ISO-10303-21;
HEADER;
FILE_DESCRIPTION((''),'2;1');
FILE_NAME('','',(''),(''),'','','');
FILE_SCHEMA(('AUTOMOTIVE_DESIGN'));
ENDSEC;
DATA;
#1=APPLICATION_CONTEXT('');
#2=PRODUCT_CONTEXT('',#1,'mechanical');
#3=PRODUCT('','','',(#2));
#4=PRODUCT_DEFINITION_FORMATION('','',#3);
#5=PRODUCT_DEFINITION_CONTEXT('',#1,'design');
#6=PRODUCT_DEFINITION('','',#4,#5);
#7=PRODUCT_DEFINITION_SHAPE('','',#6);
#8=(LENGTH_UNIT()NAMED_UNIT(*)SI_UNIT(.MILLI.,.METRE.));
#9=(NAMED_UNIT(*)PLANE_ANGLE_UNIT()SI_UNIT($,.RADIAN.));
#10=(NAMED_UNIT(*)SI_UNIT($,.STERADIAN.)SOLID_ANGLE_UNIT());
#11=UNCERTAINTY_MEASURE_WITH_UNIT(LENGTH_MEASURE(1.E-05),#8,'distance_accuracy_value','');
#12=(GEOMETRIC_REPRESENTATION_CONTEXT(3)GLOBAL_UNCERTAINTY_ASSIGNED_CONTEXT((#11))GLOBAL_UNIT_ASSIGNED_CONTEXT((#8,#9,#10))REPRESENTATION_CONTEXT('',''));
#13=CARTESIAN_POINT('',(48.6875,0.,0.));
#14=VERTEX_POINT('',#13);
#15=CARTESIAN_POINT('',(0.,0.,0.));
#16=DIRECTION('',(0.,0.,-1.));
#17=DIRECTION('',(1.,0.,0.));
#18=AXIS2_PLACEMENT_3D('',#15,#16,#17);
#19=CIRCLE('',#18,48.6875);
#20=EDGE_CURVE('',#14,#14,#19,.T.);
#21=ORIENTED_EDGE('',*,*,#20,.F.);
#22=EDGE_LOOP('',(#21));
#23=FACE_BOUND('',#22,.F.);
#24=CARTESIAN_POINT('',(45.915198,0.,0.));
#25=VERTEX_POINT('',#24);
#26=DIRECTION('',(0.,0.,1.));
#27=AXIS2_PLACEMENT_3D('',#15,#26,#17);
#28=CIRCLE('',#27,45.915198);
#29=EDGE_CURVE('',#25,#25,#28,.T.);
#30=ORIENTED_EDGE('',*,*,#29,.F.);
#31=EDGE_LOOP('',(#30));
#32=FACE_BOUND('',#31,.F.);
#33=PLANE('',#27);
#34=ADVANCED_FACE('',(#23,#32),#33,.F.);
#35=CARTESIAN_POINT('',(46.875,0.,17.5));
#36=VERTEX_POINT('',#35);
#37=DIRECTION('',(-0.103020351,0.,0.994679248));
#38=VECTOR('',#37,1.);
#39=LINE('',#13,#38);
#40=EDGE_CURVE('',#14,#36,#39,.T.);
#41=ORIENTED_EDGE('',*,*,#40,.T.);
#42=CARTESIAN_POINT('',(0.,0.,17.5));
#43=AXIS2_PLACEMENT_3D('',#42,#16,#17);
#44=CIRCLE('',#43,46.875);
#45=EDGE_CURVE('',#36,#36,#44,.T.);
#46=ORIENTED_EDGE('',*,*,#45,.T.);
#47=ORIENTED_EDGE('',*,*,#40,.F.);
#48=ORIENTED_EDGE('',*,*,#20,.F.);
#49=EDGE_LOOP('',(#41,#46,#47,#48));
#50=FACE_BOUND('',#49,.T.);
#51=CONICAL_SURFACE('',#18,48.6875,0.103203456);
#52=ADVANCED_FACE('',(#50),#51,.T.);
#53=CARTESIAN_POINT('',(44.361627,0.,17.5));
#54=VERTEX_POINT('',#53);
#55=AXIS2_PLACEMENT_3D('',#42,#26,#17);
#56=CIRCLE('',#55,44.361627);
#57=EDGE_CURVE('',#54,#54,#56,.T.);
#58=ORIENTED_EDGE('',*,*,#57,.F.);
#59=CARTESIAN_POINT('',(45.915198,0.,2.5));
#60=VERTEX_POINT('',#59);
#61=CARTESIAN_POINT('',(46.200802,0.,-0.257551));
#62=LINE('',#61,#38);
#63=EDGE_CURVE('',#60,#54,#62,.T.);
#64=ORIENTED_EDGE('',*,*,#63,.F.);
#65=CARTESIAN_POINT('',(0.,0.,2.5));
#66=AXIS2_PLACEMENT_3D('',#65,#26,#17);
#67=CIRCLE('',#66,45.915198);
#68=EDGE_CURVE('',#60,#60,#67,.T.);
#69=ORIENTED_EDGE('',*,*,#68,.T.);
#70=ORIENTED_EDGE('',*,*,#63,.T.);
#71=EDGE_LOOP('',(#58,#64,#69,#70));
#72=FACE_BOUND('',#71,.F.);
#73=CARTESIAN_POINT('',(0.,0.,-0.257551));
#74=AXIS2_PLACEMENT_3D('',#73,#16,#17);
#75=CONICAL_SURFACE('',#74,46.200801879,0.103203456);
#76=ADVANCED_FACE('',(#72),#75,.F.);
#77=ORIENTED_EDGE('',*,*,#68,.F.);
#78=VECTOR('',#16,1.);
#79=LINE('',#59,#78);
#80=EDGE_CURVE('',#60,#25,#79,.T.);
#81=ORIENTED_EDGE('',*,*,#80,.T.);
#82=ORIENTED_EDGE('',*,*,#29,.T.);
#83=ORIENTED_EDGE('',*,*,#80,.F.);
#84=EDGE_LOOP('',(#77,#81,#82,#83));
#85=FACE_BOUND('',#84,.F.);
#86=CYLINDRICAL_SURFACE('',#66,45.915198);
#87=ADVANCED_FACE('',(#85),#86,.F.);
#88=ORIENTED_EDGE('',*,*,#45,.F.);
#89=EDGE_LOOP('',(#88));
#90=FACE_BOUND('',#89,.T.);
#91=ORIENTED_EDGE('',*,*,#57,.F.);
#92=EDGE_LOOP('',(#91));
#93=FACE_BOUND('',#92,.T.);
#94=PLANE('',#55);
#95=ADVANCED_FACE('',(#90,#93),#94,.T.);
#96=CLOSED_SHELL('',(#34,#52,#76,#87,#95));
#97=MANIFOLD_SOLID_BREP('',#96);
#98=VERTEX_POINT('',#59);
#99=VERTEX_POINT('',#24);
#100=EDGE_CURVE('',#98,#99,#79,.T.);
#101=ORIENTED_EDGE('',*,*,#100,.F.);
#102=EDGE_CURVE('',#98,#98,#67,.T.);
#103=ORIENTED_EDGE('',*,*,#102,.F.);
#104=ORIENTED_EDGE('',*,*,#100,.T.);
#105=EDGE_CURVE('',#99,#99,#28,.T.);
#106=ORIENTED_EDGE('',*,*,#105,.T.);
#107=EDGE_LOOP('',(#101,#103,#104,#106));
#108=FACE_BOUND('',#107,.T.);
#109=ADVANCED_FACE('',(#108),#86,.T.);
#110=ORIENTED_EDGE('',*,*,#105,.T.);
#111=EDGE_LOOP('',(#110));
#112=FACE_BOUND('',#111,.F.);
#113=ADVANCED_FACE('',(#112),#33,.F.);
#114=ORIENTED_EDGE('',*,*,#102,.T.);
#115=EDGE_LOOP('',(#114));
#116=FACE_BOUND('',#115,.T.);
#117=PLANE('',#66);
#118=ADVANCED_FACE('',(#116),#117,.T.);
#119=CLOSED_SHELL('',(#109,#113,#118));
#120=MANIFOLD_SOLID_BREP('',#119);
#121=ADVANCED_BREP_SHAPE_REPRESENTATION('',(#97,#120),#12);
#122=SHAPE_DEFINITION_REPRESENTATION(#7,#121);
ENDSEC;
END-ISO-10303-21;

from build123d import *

# Parameters (mm, degrees)
F8_R      = 48.6875
F9_DEPTH  = 17.5
F9_TAPER  = 5.9131224442
F10_T     = -2.5
F11_R     = 45.9151983952
F12_DEPTH = 2.5
F13_DEPTH = 2.5


with BuildPart() as f9:
    # F8 (on Top) → F9 (new body)
    with BuildSketch(Plane.XY):
        Circle(F8_R)
    extrude(amount=F9_DEPTH, taper=F9_TAPER)

    # F10
    f10_openings = [f9.faces().sort_by_distance(p)[0] for p in [
        (0, 0, 17.5),
    ]]
    offset(amount=F10_T, openings=f10_openings)

    # F11 (on face) → F12 (cut, through all)
    with BuildSketch(Plane.XY.offset(2.5)):
        Circle(F11_R)
    extrude(amount=-F12_DEPTH, mode=Mode.SUBTRACT)


with BuildPart() as f13:
    # F11 (on face) → F13 (new body, through all)
    with BuildSketch(Plane.XY.offset(2.5)):
        Circle(F11_R)
    extrude(amount=-F13_DEPTH)


solid = Compound([f9.part, f13.part])
